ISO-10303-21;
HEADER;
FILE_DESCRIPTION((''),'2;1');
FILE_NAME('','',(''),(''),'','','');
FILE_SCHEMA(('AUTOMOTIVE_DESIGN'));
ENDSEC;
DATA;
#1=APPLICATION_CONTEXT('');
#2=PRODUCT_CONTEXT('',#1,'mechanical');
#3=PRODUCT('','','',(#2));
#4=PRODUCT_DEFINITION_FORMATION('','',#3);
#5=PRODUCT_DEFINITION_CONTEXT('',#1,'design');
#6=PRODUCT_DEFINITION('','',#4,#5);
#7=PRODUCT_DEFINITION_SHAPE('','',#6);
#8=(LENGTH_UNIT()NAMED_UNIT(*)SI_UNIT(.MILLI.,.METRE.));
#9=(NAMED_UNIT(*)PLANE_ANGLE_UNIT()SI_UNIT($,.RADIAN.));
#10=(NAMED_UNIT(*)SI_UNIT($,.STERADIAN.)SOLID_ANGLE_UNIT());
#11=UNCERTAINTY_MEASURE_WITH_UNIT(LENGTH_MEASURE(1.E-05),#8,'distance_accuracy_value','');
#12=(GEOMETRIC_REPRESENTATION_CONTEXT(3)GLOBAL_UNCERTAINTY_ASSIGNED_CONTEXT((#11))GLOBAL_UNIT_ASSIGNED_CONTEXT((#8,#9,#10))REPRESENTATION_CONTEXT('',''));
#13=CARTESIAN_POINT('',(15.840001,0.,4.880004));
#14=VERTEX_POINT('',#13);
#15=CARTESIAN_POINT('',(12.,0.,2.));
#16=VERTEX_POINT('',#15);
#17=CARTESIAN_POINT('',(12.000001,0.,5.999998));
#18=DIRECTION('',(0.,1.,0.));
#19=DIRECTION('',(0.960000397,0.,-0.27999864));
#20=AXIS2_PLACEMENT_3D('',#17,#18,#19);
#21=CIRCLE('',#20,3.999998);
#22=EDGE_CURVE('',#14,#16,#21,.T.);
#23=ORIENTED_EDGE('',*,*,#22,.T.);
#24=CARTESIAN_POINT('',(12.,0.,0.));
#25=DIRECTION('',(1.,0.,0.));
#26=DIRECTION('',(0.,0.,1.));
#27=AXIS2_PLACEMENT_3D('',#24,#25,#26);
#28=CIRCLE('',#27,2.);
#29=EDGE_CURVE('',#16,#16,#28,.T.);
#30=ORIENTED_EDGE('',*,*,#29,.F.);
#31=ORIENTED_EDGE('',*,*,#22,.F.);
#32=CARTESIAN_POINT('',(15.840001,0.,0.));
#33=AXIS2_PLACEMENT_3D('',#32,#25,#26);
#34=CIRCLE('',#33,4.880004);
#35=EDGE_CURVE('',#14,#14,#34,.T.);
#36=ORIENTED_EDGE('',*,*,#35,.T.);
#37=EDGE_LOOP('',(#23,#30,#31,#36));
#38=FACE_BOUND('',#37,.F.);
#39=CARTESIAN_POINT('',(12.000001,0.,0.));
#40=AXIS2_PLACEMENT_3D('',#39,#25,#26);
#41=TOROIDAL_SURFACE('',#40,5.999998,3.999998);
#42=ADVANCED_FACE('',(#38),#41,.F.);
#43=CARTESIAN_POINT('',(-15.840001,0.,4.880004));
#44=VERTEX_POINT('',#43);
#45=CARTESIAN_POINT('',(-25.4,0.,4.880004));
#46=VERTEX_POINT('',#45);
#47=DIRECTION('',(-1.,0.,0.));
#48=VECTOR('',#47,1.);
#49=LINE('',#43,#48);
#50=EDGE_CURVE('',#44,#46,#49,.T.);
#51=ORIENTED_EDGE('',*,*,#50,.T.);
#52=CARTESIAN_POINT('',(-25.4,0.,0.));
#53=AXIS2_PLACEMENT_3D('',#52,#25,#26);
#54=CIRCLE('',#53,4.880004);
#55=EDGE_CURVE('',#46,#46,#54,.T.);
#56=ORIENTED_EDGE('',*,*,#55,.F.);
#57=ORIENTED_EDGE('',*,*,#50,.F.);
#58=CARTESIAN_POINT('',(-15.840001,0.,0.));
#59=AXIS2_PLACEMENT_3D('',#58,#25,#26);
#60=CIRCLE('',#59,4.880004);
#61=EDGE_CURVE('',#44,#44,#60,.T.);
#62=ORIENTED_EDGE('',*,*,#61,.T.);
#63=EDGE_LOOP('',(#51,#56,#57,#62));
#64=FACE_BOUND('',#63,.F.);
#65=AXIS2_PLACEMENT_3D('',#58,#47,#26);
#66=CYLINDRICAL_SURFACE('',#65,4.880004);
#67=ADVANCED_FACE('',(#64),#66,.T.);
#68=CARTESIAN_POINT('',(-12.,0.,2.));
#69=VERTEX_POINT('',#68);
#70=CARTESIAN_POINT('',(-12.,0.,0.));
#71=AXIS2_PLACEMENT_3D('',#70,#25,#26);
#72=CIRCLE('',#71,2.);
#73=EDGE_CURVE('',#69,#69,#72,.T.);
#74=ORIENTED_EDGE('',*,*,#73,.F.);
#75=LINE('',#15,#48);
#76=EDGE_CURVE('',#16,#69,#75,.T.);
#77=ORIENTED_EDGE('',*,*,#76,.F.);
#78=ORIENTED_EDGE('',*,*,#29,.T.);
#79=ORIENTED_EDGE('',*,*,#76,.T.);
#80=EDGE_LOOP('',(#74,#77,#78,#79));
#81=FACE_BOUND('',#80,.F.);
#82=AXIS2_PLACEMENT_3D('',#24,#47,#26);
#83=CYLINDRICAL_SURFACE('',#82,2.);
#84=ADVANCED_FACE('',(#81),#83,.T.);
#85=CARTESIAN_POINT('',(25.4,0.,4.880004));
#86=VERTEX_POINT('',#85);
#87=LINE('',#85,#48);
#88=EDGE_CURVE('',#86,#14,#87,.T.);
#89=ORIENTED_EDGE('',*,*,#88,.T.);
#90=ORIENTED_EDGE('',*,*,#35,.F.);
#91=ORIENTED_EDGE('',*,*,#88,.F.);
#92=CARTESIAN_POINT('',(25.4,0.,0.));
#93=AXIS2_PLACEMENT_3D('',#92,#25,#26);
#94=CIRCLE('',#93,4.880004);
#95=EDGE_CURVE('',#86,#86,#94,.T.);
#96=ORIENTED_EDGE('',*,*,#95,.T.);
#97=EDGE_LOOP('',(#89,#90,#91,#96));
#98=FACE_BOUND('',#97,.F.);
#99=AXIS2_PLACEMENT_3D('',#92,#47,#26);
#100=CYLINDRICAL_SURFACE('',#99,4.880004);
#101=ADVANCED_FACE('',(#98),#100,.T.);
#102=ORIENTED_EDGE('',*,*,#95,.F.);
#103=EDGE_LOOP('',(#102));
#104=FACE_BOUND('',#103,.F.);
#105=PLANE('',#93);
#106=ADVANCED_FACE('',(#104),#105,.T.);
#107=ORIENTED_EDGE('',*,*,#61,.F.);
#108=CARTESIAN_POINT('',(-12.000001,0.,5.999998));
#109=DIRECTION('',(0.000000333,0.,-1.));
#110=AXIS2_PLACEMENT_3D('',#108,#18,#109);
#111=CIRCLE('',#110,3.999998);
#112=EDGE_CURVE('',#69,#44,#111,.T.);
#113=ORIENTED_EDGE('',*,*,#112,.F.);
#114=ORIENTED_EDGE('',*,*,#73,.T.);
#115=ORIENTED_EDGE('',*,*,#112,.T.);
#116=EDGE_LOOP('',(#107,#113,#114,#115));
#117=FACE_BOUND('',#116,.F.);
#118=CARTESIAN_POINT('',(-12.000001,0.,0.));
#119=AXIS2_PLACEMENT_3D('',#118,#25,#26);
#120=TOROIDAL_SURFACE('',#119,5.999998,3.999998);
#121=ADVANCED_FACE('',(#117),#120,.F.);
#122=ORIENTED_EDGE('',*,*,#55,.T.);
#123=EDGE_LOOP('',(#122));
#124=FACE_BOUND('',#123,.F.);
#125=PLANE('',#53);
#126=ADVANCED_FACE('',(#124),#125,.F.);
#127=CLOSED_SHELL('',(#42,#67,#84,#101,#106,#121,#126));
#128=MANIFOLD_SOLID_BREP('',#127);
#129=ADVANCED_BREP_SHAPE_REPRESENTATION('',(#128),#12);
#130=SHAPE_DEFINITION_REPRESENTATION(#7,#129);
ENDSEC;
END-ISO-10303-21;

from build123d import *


with BuildPart() as f1:
    # F0 (on Front) → F1 (revolve)
    with BuildSketch(Plane.XZ):
        with BuildLine():
            Line((12, 2), (0, 2))
            Line((0, 2), (-12, 2))
            ThreePointArc((-12, 2), (-14.400002, 2.800001), (-15.840001, 4.880004))
            Line((-15.840001, 4.880004), (-25.4, 4.880004))
            Line((-25.4, 4.880004), (-25.4, 0))
            Line((-25.4, 0), (0, 0))
            Line((0, 0), (25.4, 0))
            Line((25.4, 0), (25.4, 4.880004))
            Line((25.4, 4.880004), (15.840001, 4.880004))
            ThreePointArc((15.840001, 4.880004), (14.400002, 2.800001), (12, 2))
        make_face()
    revolve(axis=Axis((12.7, 0, 0), (1, 0, 0)))


solid = f1.part
